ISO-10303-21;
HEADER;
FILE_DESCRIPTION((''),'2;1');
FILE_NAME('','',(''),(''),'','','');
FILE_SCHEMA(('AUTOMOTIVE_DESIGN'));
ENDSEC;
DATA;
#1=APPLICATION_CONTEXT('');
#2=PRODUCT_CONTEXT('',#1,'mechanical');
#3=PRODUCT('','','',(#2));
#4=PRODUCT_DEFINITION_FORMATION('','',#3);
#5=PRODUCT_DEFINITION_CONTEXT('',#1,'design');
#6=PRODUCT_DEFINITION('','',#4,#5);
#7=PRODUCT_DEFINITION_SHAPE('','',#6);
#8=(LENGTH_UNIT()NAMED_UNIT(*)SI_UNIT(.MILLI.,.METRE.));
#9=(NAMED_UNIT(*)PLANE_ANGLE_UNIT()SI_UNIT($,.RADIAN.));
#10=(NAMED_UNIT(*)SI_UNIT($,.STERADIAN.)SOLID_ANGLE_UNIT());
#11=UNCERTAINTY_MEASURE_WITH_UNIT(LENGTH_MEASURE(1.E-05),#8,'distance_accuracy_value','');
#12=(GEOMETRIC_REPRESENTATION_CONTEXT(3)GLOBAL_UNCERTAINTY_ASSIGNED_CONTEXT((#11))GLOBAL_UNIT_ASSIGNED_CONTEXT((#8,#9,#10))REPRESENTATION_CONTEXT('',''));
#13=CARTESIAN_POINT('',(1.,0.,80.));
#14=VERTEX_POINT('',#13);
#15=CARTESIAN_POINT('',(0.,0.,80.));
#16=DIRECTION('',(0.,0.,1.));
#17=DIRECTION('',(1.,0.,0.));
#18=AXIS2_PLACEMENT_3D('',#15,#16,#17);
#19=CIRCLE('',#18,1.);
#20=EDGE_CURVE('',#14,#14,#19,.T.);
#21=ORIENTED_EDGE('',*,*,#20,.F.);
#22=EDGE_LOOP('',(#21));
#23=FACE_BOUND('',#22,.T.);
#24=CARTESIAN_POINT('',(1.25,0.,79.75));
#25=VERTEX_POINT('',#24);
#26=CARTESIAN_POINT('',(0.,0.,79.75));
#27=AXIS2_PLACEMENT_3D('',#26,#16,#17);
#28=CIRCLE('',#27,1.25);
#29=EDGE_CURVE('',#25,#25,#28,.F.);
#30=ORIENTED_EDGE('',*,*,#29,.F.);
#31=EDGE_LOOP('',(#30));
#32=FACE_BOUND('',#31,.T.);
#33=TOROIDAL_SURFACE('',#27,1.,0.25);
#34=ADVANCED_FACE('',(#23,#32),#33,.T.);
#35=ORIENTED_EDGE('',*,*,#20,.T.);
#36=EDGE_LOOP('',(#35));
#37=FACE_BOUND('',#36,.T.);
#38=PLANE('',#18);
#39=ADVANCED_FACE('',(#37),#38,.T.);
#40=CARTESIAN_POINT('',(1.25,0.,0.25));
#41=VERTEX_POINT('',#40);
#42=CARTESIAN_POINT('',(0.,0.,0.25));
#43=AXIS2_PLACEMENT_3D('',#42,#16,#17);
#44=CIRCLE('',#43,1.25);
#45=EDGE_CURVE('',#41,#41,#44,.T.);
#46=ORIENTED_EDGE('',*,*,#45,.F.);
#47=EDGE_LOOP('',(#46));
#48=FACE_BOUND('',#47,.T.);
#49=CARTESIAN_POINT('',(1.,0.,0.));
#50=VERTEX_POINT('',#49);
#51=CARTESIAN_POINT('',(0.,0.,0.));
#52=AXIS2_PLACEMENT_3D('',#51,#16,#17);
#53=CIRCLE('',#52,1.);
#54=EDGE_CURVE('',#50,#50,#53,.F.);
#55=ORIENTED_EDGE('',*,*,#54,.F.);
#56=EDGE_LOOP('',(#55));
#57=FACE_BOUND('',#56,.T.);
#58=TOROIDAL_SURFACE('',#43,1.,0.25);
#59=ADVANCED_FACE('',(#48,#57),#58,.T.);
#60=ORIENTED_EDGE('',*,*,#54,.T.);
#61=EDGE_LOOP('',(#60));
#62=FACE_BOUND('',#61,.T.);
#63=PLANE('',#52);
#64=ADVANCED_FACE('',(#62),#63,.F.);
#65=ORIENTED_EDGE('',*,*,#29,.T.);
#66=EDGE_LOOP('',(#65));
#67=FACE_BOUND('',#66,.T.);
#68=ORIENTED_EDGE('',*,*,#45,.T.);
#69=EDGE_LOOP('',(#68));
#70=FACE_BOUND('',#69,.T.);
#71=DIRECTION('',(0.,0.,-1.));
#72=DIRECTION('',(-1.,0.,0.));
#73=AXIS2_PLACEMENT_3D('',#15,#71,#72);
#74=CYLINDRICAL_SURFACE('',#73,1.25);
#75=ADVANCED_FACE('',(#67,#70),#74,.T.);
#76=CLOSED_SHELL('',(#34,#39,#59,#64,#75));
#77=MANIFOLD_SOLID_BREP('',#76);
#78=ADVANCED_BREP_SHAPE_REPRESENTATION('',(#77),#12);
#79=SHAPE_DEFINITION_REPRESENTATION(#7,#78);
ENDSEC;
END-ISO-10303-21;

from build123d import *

# Parameters (mm, degrees)
ESQUISSE1_R        = 1.25
BOSS_EXTRU_1_DEPTH = 80
CONG_1_R           = 0.25


with BuildPart() as part:
    # Esquisse1 → Boss.-Extru.1 (new body)
    with BuildSketch(Plane.XY):
        Circle(ESQUISSE1_R)
    extrude(amount=BOSS_EXTRU_1_DEPTH)

    # Congé1
    cong_1_edges = [part.edges().sort_by_distance(p)[0] for p in [
        (-1.25, 0, 0),
        (-1.25, 0, 80),
    ]]
    fillet(cong_1_edges, radius=CONG_1_R)


solid = part.part
